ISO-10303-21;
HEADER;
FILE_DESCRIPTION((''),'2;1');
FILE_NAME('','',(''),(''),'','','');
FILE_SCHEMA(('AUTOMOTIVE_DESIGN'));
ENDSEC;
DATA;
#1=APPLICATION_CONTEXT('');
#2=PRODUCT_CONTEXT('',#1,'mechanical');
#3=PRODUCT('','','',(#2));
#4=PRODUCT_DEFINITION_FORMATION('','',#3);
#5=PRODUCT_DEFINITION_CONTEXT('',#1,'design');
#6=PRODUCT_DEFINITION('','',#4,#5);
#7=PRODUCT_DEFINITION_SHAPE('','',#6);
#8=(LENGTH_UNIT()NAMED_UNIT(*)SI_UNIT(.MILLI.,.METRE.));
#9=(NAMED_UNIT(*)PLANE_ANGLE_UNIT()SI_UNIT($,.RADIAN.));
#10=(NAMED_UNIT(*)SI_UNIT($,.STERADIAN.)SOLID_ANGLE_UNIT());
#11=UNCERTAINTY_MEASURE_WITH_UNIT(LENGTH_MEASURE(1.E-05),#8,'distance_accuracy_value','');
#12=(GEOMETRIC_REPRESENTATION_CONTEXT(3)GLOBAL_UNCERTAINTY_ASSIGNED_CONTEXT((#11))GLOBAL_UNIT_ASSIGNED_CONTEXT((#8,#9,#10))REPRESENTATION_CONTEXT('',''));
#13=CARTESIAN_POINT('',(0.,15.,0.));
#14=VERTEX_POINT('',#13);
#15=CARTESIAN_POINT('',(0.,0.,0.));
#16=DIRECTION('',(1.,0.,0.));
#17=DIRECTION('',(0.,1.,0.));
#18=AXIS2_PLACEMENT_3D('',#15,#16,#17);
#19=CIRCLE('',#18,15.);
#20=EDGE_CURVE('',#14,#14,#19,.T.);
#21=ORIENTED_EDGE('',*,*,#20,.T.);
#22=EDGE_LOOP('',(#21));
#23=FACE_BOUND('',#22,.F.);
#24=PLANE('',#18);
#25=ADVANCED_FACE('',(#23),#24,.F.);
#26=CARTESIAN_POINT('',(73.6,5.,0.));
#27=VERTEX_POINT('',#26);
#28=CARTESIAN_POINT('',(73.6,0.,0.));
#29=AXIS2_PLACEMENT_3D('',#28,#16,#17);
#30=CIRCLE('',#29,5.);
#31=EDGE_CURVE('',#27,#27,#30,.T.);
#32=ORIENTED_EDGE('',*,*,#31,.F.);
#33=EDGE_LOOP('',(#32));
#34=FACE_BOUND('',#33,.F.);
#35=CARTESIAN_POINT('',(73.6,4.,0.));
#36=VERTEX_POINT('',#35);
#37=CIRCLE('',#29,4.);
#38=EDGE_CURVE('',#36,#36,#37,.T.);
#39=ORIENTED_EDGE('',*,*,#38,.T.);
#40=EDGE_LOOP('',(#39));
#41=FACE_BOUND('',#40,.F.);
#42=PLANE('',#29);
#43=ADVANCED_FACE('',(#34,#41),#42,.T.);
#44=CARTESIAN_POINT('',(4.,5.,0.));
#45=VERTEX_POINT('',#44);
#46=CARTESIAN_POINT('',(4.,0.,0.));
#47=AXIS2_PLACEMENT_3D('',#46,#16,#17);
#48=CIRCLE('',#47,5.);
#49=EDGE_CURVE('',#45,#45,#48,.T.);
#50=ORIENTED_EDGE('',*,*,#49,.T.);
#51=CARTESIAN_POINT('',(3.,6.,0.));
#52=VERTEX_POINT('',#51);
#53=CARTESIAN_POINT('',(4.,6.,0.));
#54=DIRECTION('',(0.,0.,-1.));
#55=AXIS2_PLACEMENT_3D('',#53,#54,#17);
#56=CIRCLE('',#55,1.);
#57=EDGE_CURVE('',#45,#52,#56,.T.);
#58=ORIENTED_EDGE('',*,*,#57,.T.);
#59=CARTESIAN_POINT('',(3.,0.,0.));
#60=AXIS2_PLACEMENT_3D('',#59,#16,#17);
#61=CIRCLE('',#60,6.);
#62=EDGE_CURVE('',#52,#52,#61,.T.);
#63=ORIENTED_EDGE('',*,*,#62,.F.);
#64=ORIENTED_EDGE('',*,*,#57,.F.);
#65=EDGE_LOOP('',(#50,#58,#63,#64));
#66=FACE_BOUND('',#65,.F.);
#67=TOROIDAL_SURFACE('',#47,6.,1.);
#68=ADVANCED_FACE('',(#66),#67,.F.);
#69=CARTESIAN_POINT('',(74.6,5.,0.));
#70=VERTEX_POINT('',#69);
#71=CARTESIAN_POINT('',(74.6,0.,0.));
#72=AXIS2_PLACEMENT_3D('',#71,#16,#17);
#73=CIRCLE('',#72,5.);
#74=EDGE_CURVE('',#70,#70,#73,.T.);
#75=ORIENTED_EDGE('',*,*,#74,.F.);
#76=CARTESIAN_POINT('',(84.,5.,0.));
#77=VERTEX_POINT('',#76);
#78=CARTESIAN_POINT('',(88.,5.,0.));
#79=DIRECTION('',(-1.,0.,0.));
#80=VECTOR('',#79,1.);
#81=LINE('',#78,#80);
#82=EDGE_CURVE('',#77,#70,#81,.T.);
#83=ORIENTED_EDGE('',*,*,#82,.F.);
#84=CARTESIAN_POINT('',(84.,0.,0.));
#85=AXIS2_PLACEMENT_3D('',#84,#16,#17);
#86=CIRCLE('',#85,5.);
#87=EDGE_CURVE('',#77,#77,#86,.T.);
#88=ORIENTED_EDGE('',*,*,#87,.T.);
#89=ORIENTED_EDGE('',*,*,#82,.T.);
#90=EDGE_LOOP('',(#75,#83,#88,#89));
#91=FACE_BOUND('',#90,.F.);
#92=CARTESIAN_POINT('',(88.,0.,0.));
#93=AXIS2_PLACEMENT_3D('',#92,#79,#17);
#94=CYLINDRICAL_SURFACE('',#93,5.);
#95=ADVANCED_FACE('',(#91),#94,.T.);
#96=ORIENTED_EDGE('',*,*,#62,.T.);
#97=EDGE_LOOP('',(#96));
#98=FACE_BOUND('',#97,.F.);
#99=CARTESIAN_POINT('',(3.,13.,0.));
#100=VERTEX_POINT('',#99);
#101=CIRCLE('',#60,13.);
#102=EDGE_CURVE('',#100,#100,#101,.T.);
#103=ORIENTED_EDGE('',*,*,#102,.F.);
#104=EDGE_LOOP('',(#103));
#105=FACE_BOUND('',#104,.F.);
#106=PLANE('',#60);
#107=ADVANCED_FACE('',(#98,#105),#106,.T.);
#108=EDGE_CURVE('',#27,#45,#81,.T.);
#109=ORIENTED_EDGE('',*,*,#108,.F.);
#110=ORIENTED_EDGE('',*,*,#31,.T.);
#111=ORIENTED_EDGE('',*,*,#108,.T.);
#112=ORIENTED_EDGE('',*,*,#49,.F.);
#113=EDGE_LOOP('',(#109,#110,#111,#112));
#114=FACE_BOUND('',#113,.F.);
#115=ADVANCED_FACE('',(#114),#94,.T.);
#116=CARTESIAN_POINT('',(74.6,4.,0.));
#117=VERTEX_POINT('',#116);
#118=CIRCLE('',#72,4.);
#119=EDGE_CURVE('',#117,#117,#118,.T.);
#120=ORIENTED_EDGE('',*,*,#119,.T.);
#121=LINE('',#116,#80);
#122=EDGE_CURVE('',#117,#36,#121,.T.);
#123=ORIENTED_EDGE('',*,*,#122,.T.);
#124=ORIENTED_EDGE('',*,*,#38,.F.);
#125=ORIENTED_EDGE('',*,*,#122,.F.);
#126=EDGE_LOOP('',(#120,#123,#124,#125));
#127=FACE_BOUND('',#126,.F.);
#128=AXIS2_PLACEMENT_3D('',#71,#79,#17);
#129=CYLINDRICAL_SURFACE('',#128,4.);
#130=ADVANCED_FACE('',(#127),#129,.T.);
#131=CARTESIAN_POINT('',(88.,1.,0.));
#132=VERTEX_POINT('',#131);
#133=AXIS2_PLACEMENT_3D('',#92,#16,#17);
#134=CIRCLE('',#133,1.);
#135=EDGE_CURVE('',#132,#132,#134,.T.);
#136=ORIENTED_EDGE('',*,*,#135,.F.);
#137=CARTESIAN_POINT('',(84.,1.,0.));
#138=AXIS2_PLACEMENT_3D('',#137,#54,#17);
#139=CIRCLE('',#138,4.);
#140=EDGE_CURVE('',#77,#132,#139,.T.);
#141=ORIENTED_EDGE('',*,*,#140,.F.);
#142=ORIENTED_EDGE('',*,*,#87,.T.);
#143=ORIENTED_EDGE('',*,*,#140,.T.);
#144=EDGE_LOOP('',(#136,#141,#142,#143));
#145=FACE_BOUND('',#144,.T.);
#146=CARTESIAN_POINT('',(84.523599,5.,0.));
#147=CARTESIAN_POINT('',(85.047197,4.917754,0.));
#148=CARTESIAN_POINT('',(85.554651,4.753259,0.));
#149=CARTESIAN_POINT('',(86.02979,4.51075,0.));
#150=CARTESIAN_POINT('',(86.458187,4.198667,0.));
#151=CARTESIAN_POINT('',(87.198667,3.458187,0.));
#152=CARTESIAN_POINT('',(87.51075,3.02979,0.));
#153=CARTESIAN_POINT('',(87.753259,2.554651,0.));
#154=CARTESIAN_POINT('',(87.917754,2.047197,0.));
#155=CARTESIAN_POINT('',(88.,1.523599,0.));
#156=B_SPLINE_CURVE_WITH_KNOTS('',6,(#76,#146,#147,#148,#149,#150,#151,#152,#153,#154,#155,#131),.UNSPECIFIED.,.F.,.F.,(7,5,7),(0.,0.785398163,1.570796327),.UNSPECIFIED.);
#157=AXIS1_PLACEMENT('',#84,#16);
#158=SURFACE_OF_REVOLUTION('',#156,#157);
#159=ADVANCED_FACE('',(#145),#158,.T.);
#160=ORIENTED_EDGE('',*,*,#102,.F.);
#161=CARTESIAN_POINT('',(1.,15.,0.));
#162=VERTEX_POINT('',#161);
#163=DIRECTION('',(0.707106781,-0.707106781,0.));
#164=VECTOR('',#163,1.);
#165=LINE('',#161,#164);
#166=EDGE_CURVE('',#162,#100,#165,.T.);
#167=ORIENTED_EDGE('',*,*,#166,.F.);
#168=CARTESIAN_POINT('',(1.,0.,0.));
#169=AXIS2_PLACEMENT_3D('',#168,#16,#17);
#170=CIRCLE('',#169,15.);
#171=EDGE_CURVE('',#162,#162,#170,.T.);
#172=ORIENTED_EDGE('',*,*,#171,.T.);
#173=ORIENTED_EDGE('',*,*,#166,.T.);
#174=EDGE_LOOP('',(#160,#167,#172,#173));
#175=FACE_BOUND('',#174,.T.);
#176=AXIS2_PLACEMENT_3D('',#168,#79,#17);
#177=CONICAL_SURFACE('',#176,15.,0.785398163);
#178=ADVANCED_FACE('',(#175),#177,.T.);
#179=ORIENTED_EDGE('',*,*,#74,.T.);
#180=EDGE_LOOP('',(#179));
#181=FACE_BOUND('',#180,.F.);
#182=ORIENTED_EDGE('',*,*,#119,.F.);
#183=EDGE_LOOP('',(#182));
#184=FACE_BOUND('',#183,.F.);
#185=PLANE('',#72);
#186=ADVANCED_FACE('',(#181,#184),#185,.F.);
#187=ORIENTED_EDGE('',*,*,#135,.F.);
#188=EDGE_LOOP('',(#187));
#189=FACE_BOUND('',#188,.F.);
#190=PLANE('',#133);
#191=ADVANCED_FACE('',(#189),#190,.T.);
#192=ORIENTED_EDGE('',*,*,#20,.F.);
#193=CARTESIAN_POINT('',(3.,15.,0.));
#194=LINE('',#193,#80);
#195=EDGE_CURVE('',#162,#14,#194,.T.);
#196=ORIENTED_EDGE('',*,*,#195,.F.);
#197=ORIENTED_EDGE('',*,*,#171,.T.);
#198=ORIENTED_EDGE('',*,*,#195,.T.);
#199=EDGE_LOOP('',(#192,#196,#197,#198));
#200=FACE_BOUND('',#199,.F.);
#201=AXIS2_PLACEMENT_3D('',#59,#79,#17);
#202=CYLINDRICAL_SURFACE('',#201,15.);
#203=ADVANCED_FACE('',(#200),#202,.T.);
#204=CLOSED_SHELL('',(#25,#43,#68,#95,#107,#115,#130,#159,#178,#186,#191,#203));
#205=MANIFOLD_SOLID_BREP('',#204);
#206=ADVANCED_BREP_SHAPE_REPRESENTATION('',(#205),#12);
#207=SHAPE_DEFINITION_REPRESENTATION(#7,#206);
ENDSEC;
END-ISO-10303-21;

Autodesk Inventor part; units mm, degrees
ref_plane "YZ Plane" through (0, 0, 0) normal (1, 0, 0) x (0, 1, 0)
ref_plane "XZ Plane" through (0, 0, 0) normal (0, 1, 0) x (-1, 0, 0)
ref_plane "XY Plane" through (0, 0, 0) normal (0, 0, 1) x (1, 0, 0)
sketch "Esboço1" plane through (0, 0, 0) normal (0, 0, 1) x (1, 0, 0)
  line L0 (0, 0) -> (88, 0)
  line L1 (88, 0) -> (88, 5)
  line L2 (88, 5) -> (3, 5)
  line L3 (3, 5) -> (3, 15)
  line L4 (3, 15) -> (0, 15)
  line L5 (0, 15) -> (0, 0)
  dimension "d0" = 88
  dimension "d1" = 5
  dimension "d2" = 3
  dimension "d3" = 15
revolve "Revolução1" add sketch "Esboço1" angle 360 about axis through (0, 0, 0) along (1, 0, 0)
chamfer "Chanfro1" distance 2 angle 45 1 edges at (3, -15, 0)
fillet "Arredondamento1" radius 4 1 edges at (88, -5, 0)
fillet "Arredondamento2" radius 1 1 edges at (3, -5, 0)
sketch "Esboço2" plane through (0, 0, 0) normal (0, 0, 1) x (1, 0, 0)
  line L0 (4, 5) -> (84, 5) projected
  line L1 (73.6, 5) -> (74.6, 5)
  line L2 (74.6, 5) -> (74.6, 4)
  line L3 (74.6, 4) -> (73.6, 4)
  line L4 (73.6, 4) -> (73.6, 5)
  line L5 (-17.6, 0) -> (105.6, 0) projected
  point P0 (0, 0)
  dimension "d10" = 1
  dimension "d11" = 4
  dimension "d12" = 73.6
revolve "Revolução2" cut sketch "Esboço2" angle 360 about axis through (-10, 0, 0) along (1, 0, 0)
